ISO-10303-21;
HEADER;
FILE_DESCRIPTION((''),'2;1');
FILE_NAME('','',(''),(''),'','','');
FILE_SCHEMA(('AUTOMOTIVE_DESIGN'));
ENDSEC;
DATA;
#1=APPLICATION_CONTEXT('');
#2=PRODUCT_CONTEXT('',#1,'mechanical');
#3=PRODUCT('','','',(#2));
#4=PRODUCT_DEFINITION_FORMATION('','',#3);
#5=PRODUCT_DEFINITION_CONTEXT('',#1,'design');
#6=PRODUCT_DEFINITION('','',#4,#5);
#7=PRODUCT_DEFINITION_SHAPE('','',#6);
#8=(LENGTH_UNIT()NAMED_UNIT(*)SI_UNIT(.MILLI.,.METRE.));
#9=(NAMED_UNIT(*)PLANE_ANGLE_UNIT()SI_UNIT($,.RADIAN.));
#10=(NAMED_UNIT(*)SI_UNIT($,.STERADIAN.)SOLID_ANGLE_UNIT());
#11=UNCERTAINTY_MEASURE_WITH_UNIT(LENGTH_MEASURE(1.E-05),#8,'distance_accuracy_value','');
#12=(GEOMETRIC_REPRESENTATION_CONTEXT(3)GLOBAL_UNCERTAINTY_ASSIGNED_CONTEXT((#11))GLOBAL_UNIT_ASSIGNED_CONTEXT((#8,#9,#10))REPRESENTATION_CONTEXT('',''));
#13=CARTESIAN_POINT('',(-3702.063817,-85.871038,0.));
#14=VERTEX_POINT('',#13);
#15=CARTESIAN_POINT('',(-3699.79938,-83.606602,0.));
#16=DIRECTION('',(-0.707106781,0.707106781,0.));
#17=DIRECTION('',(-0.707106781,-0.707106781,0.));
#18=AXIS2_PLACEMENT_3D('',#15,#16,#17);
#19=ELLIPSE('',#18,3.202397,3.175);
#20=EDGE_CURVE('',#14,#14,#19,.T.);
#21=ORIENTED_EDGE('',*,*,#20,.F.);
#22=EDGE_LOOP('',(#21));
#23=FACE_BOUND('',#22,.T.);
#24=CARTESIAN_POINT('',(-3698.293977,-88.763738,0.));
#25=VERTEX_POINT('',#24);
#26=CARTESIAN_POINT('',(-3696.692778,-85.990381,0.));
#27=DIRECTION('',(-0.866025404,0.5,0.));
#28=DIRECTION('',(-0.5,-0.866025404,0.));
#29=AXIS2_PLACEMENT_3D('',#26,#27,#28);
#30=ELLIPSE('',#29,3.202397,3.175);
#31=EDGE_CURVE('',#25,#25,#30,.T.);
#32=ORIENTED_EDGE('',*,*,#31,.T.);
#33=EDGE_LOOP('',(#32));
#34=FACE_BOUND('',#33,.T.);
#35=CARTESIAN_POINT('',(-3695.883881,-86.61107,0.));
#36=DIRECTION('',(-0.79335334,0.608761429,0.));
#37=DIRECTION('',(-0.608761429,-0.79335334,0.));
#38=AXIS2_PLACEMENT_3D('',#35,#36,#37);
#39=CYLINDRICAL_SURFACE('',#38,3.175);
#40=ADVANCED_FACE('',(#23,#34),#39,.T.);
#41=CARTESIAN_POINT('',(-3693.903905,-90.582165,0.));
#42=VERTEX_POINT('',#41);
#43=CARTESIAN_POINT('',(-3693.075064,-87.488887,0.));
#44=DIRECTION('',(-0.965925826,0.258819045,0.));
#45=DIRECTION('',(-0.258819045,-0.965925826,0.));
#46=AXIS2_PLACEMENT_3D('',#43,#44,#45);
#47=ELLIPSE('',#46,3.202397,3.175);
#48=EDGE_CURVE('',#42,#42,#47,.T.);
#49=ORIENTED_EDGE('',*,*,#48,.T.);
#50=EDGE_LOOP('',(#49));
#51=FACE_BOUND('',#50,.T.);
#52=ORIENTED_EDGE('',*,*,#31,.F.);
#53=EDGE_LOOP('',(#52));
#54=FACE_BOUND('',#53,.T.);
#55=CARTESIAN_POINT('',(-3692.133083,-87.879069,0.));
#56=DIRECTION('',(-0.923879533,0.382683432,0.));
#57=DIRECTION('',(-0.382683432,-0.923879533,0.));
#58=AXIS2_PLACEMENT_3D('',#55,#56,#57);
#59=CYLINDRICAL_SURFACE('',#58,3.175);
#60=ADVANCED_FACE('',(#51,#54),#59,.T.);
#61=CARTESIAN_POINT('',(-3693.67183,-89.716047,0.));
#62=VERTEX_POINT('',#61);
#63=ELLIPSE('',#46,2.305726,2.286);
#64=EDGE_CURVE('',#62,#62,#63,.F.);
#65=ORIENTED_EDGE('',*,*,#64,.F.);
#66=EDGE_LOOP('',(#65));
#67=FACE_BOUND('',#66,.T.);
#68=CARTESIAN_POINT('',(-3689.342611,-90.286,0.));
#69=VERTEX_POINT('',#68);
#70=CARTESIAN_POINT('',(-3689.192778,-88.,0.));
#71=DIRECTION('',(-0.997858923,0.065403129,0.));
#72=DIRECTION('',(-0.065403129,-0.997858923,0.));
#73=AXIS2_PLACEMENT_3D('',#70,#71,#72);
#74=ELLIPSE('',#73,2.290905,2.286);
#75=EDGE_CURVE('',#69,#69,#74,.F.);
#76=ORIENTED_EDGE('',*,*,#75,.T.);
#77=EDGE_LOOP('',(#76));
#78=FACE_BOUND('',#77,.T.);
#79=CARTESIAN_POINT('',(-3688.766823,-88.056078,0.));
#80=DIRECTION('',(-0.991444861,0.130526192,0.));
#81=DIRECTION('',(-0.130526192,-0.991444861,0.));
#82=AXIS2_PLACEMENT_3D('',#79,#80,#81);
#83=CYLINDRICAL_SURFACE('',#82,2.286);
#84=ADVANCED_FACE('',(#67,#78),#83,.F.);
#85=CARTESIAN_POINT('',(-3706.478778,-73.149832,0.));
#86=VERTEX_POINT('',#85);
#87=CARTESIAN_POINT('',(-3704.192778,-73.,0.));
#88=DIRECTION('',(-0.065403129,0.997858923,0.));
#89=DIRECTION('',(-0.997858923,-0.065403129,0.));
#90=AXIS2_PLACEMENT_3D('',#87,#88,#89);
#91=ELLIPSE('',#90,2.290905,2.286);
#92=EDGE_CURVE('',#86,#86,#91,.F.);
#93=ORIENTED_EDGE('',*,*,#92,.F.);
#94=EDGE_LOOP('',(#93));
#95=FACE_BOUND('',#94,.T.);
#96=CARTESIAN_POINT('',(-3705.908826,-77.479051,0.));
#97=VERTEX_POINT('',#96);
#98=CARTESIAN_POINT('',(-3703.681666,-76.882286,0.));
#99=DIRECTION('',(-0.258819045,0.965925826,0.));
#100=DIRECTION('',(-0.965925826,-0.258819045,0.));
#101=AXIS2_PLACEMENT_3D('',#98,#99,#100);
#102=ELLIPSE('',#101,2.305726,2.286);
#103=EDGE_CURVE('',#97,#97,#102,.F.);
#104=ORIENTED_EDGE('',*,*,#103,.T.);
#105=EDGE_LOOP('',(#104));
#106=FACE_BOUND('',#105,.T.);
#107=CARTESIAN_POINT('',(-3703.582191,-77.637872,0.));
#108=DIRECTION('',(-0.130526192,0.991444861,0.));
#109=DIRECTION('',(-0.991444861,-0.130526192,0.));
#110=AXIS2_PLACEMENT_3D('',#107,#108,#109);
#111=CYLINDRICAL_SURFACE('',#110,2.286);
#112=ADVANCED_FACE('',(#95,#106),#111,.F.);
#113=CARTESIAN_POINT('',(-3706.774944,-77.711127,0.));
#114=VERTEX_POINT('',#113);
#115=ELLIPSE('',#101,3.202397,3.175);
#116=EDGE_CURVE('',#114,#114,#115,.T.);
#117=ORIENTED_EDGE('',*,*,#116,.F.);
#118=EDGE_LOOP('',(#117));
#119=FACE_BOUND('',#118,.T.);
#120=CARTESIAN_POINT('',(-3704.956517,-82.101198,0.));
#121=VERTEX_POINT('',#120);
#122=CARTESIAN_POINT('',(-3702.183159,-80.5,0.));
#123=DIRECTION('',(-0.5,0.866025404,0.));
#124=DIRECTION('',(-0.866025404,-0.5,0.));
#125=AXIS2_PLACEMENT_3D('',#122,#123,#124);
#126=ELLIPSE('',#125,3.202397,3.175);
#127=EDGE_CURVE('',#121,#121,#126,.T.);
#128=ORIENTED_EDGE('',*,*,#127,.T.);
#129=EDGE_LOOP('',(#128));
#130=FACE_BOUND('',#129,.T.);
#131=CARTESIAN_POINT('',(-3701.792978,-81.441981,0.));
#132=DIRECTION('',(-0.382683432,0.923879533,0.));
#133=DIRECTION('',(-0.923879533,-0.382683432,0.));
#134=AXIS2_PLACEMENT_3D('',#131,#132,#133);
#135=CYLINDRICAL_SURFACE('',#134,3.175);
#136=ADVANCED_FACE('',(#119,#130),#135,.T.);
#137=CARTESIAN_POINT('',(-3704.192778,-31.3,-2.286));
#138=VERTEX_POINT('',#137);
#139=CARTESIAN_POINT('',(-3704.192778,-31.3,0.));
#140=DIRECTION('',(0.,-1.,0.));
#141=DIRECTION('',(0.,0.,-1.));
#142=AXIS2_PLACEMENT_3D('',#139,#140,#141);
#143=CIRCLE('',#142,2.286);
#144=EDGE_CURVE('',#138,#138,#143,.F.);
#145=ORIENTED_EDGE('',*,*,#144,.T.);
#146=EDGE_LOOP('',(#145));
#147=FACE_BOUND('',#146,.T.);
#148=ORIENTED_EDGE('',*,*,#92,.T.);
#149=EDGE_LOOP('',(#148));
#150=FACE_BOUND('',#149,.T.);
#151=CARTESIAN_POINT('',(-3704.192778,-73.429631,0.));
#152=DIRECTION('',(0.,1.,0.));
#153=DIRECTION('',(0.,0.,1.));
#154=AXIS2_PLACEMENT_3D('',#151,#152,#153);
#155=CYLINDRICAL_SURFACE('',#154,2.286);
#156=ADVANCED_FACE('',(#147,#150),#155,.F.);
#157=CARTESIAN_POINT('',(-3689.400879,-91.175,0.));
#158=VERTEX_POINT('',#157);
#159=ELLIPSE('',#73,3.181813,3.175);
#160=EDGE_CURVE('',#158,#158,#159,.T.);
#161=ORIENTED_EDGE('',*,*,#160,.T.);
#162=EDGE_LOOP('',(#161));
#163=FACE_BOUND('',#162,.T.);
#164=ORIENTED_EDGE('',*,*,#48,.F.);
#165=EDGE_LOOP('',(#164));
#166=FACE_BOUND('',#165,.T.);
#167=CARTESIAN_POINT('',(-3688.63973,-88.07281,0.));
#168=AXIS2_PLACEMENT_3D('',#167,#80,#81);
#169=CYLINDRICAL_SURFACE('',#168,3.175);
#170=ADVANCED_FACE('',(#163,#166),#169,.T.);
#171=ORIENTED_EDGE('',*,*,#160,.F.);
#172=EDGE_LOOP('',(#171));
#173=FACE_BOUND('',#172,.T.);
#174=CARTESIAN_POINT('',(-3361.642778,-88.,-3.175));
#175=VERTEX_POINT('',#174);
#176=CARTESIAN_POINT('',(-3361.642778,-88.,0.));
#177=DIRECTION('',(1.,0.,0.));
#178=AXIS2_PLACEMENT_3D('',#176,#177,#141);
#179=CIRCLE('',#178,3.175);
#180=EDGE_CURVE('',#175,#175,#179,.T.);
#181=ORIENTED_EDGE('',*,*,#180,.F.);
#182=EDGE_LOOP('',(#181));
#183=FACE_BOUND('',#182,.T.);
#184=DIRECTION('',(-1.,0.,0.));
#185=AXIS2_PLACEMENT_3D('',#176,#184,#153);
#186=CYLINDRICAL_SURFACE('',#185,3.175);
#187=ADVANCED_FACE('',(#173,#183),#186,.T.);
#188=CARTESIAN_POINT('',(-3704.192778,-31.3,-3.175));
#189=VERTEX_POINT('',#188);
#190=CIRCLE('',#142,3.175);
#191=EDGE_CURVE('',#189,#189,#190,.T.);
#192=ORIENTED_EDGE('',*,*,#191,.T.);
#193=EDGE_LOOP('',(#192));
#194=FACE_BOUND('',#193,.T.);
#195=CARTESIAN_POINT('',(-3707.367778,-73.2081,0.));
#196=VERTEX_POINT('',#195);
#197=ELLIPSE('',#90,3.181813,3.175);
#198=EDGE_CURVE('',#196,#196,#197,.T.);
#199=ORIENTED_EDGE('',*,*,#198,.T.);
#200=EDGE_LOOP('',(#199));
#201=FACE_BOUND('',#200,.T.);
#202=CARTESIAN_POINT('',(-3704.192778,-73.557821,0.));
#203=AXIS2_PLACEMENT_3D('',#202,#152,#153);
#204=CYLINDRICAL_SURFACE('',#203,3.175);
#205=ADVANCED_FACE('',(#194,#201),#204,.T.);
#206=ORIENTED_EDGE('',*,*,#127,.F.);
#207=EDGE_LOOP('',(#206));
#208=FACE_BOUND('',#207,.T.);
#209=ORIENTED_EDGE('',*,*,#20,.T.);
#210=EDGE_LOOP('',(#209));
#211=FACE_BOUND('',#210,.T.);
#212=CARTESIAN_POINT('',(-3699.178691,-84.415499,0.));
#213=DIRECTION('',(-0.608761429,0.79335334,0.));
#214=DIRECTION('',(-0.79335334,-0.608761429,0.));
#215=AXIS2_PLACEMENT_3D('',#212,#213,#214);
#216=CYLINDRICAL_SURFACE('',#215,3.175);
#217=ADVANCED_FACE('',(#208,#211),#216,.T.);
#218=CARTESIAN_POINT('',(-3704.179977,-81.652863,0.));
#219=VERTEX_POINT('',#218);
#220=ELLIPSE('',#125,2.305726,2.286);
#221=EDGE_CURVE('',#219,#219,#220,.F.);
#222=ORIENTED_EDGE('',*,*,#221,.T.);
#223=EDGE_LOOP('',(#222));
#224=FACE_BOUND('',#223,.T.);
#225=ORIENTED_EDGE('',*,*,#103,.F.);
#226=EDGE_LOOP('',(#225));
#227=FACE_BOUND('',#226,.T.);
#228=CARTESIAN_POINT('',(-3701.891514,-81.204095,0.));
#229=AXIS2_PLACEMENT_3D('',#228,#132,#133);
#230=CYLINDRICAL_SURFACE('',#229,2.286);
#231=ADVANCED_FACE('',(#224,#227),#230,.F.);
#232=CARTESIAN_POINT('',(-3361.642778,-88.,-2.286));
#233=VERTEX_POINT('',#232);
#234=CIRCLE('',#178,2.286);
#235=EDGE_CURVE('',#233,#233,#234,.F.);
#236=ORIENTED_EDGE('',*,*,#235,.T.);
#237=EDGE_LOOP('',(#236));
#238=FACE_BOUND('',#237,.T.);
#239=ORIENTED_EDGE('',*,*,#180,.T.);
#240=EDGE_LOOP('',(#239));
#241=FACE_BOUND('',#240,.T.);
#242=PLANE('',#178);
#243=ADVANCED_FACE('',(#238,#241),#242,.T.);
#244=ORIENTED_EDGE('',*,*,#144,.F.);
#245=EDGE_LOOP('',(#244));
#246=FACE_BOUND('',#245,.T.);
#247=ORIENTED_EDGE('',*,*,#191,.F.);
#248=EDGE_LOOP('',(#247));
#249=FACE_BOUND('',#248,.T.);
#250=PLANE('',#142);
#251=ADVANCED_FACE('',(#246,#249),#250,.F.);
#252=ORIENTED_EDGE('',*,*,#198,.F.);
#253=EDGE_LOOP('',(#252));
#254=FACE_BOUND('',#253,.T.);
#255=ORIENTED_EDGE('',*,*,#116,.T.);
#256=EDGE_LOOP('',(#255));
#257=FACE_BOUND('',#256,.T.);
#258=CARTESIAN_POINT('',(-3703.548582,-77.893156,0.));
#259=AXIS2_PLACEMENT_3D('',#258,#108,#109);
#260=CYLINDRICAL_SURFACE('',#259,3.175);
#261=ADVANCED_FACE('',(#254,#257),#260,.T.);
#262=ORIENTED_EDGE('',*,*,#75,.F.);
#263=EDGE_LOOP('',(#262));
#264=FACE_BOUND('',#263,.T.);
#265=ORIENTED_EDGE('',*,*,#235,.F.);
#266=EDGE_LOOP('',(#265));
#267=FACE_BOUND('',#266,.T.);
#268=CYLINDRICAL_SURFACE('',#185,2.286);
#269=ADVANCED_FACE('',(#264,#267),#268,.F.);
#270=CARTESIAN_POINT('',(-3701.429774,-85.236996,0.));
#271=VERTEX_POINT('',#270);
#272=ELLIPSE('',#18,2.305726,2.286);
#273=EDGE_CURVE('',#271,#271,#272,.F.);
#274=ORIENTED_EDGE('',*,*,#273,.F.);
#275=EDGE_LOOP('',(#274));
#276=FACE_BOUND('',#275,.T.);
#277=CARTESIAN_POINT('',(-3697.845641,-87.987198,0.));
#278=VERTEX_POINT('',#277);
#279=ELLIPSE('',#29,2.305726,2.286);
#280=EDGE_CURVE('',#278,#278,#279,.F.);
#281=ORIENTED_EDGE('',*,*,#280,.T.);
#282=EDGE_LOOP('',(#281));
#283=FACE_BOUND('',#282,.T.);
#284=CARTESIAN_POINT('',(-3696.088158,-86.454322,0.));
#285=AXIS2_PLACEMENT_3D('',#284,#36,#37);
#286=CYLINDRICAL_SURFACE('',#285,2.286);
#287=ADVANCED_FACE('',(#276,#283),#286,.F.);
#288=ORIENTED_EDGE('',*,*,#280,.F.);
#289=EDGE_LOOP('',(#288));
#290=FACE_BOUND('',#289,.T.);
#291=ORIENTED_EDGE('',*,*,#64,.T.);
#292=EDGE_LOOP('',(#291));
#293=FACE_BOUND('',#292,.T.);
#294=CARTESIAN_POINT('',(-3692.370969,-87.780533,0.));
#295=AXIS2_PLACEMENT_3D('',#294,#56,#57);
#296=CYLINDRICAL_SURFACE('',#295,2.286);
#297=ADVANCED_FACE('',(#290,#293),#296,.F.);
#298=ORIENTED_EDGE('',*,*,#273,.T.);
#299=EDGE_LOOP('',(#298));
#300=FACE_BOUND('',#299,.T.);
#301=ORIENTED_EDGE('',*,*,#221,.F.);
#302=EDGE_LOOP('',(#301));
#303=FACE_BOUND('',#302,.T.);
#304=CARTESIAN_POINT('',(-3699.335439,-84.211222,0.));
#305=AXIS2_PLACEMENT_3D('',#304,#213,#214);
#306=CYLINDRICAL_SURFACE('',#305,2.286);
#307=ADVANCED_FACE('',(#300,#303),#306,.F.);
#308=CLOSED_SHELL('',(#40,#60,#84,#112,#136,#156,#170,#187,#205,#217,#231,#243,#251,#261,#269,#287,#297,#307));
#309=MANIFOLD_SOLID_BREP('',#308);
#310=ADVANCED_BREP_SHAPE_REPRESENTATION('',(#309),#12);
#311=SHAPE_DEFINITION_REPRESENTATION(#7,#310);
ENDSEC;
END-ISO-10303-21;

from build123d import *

# Parameters (mm, degrees)
PROFILE_R   = 3.175
PROFILE_R_2 = 2.286


with BuildPart() as part:
    # Tube: sweep along a curve in space
    with BuildLine() as tube_path:
        Line((-3361.642778381, -88, 0), (-3689.192778381, -88, 0))
        Line((-3689.192778381, -88, 0), (-3693.075064057, -87.488887394, 0))
        Line((-3693.075064057, -87.488887394, 0), (-3696.692778381, -85.990381057, 0))
        Line((-3696.692778381, -85.990381057, 0), (-3699.799380099, -83.606601718, 0))
        Line((-3699.799380099, -83.606601718, 0), (-3702.183159438, -80.5, 0))
        Line((-3702.183159438, -80.5, 0), (-3703.681665775, -76.882285677, 0))
        Line((-3703.681665775, -76.882285677, 0), (-3704.192778381, -73, 0))
        Line((-3704.192778381, -73, 0), (-3704.192778381, -31.3, 0))
    # Profile → Tube (sweep)
    with BuildSketch(Plane(origin=(-3361.642778381, 0, 0), x_dir=(0, 0, -1), z_dir=(1, 0, 0))):
        with Locations((0, -88)):
            Circle(PROFILE_R)
        with Locations((0, -88)):
            Circle(PROFILE_R_2, mode=Mode.SUBTRACT)
    sweep(path=tube_path.line, transition=Transition.RIGHT)


solid = part.part
